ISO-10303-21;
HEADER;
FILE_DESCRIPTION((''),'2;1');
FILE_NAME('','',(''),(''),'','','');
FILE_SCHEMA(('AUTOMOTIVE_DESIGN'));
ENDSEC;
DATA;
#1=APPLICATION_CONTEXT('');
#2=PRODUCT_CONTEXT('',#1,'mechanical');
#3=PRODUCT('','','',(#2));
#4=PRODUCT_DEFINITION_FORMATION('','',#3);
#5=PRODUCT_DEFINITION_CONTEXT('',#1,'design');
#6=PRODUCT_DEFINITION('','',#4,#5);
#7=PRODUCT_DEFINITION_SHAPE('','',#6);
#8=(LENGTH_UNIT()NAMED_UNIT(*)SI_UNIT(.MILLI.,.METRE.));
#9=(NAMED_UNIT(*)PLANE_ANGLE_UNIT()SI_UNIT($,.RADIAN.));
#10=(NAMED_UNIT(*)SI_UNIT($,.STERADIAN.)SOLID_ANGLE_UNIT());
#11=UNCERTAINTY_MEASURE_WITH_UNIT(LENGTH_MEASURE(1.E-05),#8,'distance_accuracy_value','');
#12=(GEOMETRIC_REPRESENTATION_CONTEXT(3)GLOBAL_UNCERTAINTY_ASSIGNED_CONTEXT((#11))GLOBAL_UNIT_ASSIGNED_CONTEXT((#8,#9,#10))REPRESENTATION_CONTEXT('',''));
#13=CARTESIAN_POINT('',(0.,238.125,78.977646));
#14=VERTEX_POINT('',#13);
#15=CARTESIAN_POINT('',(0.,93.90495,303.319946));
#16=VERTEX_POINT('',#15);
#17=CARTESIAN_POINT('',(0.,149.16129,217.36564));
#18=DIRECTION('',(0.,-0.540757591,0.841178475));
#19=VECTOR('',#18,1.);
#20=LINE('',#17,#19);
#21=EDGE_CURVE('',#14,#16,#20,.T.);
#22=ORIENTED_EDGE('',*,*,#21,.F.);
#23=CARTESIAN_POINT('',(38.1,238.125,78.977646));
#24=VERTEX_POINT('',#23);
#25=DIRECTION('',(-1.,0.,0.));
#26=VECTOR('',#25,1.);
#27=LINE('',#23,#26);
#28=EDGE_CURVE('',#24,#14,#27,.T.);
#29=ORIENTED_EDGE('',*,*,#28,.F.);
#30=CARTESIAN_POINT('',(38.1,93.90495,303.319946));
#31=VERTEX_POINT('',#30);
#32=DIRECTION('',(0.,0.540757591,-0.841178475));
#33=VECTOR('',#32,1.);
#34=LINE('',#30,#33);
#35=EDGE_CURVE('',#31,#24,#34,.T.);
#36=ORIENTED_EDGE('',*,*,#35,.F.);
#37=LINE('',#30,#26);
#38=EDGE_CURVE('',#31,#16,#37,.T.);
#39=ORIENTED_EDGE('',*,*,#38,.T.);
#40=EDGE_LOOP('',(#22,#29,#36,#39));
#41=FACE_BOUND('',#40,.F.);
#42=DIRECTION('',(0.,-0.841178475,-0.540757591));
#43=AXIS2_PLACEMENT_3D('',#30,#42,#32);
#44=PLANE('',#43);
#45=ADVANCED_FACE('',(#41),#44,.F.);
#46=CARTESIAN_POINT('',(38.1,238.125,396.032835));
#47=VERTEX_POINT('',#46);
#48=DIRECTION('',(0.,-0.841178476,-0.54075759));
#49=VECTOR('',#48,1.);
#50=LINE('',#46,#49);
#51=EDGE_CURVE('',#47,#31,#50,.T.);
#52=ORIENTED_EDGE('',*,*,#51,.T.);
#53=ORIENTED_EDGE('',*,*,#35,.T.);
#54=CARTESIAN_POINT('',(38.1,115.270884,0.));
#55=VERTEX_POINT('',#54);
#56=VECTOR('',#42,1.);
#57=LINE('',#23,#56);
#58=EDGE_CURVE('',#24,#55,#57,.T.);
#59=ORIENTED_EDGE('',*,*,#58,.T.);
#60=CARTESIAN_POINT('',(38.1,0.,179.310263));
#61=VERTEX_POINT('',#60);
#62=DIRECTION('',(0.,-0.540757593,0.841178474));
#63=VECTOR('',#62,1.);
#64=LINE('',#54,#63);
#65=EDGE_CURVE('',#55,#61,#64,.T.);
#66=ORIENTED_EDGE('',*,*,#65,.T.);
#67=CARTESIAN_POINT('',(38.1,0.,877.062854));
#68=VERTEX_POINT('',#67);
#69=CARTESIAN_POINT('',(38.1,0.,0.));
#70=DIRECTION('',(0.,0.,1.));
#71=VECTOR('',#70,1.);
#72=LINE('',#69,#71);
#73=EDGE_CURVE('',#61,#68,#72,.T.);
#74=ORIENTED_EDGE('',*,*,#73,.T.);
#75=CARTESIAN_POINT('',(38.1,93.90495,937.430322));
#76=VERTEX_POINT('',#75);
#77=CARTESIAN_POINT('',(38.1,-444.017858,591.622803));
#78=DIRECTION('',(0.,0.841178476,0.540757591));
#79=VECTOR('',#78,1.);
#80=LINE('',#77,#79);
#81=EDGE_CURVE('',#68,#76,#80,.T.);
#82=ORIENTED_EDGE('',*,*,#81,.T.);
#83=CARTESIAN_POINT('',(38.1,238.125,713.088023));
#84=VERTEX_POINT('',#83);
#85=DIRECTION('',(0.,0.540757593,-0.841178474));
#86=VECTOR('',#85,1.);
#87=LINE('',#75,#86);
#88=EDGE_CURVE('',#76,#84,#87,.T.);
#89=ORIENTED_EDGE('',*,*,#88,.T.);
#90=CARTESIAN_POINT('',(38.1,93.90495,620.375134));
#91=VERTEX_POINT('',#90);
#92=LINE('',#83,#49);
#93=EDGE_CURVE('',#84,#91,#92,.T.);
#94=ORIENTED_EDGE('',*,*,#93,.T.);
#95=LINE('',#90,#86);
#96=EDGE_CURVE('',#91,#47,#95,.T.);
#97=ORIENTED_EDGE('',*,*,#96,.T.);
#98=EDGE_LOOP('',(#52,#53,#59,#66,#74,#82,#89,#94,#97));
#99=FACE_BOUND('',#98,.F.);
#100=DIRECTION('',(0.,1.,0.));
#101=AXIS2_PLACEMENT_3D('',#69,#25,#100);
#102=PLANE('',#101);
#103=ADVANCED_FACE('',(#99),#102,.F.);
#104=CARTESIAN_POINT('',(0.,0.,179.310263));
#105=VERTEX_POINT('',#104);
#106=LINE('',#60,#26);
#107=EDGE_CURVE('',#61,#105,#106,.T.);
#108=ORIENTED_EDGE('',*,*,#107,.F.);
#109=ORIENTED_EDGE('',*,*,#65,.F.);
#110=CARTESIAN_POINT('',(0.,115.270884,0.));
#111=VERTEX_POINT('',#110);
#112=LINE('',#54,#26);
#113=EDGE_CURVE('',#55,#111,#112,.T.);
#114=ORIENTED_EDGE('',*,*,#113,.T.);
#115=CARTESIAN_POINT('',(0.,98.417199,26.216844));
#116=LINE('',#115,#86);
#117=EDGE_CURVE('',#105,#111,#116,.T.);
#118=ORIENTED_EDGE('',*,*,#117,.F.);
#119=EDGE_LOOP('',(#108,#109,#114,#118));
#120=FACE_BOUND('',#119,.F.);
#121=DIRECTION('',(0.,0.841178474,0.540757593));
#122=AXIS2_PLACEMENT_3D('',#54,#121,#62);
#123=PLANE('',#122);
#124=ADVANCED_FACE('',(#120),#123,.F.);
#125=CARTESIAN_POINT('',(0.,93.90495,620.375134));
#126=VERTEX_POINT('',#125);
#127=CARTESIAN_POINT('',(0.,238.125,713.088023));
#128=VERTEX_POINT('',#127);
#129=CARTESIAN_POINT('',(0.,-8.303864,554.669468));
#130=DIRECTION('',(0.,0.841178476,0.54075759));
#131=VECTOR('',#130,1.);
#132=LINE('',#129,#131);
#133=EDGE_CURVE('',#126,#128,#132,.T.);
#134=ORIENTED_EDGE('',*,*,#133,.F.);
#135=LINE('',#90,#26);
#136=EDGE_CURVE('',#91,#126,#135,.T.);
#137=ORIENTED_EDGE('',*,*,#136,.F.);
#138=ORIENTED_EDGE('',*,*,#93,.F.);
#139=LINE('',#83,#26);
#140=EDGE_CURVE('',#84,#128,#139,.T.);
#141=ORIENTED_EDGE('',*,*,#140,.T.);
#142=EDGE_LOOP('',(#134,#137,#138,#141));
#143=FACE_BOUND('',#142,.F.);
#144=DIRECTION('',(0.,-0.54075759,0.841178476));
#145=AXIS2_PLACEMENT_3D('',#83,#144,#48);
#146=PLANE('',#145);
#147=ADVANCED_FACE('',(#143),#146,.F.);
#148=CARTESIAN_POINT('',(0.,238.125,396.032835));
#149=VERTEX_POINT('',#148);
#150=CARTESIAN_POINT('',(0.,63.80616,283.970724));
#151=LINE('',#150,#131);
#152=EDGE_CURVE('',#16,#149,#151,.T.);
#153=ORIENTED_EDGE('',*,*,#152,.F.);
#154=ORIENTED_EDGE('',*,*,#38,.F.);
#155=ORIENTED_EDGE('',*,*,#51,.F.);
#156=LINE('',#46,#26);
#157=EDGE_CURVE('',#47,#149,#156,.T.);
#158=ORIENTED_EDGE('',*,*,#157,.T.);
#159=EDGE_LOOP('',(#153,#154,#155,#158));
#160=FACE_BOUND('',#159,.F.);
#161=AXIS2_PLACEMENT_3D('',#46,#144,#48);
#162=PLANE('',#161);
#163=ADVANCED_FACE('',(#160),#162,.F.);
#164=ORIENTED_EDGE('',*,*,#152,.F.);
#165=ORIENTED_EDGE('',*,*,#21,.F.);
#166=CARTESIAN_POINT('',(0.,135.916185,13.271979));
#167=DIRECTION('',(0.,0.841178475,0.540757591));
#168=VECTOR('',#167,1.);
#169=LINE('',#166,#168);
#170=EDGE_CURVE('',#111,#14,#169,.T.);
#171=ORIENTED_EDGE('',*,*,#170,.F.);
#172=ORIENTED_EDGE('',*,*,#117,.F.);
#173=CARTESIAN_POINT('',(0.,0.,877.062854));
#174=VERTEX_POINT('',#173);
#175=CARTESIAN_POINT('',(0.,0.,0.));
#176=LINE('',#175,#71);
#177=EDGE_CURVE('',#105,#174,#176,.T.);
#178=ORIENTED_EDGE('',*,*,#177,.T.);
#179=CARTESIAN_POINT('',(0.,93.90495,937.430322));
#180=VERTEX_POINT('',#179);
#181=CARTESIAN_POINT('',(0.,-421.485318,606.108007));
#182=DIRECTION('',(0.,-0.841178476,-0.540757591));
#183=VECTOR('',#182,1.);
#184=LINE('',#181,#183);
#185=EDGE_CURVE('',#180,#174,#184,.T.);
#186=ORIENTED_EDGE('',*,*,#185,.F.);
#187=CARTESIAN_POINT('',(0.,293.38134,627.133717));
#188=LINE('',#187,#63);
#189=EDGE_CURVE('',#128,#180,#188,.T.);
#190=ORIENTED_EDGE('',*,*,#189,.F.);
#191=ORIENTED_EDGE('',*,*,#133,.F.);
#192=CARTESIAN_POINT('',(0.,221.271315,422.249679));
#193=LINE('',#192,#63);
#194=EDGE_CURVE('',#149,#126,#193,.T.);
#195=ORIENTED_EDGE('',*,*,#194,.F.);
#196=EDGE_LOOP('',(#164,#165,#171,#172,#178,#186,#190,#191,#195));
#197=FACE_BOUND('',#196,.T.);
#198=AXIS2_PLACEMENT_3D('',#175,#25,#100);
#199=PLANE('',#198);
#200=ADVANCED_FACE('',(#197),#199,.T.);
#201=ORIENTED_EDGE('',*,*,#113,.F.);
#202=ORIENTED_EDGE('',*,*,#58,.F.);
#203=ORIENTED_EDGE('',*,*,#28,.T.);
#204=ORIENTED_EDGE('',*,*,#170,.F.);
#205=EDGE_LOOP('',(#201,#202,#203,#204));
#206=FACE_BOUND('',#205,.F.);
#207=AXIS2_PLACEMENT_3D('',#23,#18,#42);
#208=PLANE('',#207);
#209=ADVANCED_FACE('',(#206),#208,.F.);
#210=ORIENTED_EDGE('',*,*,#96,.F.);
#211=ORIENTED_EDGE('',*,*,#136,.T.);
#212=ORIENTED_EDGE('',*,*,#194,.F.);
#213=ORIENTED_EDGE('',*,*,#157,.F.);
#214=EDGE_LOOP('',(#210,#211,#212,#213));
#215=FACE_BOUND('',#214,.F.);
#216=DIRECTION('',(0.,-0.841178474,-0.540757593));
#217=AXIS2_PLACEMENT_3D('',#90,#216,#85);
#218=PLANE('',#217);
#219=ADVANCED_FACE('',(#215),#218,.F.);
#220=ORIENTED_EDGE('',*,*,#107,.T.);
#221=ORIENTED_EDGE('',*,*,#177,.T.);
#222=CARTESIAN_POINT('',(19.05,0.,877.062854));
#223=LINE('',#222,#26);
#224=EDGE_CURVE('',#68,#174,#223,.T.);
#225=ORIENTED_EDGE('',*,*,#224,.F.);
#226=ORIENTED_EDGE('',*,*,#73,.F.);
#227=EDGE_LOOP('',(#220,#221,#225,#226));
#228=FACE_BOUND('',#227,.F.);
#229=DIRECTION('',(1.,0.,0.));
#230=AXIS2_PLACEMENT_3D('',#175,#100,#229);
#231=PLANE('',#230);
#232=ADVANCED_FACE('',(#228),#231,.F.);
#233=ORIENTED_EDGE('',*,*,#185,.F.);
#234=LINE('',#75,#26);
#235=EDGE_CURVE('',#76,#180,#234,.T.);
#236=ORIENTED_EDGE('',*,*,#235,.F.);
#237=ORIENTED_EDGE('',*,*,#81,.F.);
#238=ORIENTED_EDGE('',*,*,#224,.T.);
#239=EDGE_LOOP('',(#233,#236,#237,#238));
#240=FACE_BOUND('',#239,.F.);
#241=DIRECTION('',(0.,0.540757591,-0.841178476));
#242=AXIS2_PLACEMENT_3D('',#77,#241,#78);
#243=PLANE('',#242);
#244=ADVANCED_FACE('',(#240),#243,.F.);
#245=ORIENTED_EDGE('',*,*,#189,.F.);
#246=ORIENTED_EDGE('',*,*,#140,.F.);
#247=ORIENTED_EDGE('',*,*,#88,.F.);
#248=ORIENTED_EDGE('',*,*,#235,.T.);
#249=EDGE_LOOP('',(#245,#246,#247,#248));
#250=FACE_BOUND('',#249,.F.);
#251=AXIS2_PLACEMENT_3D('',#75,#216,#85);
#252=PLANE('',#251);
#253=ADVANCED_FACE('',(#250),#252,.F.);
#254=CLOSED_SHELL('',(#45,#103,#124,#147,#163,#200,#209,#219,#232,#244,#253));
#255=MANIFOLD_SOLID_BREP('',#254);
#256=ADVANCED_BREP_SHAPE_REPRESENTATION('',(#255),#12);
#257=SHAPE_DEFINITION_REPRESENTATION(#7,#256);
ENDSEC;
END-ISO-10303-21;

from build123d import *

# Parameters (mm, degrees)
F0_W     = 38.1
F0_H     = 238.125
F1_DEPTH = 990.6
F3_DEPTH = 38.101


with BuildPart() as f1:
    # F0 (on Top) → F1 (new body)
    with BuildSketch(Plane.XY):
        with Locations((19.05, 119.0625)):
            Rectangle(F0_W, F0_H)
    extrude(amount=F1_DEPTH)

    # F2 (on face) → F3 (cut, through all)
    with BuildSketch(Plane.YZ.offset(38.1)):
        Polygon((115.270884, 0), (0, 179.310263), (-215.229422, 179.310263), (-215.229422, -479.180909), (438.821025, -479.180909), (438.821025, 1649.130165), (-444.017858, 1649.130165), (-444.017858, 591.622803), (93.90495, 937.430322), (238.125, 713.088023), (93.90495, 620.375134), (238.125, 396.032835), (93.90495, 303.319946), (238.125, 78.977646), align=None)
    extrude(amount=-F3_DEPTH, mode=Mode.SUBTRACT)


solid = f1.part
